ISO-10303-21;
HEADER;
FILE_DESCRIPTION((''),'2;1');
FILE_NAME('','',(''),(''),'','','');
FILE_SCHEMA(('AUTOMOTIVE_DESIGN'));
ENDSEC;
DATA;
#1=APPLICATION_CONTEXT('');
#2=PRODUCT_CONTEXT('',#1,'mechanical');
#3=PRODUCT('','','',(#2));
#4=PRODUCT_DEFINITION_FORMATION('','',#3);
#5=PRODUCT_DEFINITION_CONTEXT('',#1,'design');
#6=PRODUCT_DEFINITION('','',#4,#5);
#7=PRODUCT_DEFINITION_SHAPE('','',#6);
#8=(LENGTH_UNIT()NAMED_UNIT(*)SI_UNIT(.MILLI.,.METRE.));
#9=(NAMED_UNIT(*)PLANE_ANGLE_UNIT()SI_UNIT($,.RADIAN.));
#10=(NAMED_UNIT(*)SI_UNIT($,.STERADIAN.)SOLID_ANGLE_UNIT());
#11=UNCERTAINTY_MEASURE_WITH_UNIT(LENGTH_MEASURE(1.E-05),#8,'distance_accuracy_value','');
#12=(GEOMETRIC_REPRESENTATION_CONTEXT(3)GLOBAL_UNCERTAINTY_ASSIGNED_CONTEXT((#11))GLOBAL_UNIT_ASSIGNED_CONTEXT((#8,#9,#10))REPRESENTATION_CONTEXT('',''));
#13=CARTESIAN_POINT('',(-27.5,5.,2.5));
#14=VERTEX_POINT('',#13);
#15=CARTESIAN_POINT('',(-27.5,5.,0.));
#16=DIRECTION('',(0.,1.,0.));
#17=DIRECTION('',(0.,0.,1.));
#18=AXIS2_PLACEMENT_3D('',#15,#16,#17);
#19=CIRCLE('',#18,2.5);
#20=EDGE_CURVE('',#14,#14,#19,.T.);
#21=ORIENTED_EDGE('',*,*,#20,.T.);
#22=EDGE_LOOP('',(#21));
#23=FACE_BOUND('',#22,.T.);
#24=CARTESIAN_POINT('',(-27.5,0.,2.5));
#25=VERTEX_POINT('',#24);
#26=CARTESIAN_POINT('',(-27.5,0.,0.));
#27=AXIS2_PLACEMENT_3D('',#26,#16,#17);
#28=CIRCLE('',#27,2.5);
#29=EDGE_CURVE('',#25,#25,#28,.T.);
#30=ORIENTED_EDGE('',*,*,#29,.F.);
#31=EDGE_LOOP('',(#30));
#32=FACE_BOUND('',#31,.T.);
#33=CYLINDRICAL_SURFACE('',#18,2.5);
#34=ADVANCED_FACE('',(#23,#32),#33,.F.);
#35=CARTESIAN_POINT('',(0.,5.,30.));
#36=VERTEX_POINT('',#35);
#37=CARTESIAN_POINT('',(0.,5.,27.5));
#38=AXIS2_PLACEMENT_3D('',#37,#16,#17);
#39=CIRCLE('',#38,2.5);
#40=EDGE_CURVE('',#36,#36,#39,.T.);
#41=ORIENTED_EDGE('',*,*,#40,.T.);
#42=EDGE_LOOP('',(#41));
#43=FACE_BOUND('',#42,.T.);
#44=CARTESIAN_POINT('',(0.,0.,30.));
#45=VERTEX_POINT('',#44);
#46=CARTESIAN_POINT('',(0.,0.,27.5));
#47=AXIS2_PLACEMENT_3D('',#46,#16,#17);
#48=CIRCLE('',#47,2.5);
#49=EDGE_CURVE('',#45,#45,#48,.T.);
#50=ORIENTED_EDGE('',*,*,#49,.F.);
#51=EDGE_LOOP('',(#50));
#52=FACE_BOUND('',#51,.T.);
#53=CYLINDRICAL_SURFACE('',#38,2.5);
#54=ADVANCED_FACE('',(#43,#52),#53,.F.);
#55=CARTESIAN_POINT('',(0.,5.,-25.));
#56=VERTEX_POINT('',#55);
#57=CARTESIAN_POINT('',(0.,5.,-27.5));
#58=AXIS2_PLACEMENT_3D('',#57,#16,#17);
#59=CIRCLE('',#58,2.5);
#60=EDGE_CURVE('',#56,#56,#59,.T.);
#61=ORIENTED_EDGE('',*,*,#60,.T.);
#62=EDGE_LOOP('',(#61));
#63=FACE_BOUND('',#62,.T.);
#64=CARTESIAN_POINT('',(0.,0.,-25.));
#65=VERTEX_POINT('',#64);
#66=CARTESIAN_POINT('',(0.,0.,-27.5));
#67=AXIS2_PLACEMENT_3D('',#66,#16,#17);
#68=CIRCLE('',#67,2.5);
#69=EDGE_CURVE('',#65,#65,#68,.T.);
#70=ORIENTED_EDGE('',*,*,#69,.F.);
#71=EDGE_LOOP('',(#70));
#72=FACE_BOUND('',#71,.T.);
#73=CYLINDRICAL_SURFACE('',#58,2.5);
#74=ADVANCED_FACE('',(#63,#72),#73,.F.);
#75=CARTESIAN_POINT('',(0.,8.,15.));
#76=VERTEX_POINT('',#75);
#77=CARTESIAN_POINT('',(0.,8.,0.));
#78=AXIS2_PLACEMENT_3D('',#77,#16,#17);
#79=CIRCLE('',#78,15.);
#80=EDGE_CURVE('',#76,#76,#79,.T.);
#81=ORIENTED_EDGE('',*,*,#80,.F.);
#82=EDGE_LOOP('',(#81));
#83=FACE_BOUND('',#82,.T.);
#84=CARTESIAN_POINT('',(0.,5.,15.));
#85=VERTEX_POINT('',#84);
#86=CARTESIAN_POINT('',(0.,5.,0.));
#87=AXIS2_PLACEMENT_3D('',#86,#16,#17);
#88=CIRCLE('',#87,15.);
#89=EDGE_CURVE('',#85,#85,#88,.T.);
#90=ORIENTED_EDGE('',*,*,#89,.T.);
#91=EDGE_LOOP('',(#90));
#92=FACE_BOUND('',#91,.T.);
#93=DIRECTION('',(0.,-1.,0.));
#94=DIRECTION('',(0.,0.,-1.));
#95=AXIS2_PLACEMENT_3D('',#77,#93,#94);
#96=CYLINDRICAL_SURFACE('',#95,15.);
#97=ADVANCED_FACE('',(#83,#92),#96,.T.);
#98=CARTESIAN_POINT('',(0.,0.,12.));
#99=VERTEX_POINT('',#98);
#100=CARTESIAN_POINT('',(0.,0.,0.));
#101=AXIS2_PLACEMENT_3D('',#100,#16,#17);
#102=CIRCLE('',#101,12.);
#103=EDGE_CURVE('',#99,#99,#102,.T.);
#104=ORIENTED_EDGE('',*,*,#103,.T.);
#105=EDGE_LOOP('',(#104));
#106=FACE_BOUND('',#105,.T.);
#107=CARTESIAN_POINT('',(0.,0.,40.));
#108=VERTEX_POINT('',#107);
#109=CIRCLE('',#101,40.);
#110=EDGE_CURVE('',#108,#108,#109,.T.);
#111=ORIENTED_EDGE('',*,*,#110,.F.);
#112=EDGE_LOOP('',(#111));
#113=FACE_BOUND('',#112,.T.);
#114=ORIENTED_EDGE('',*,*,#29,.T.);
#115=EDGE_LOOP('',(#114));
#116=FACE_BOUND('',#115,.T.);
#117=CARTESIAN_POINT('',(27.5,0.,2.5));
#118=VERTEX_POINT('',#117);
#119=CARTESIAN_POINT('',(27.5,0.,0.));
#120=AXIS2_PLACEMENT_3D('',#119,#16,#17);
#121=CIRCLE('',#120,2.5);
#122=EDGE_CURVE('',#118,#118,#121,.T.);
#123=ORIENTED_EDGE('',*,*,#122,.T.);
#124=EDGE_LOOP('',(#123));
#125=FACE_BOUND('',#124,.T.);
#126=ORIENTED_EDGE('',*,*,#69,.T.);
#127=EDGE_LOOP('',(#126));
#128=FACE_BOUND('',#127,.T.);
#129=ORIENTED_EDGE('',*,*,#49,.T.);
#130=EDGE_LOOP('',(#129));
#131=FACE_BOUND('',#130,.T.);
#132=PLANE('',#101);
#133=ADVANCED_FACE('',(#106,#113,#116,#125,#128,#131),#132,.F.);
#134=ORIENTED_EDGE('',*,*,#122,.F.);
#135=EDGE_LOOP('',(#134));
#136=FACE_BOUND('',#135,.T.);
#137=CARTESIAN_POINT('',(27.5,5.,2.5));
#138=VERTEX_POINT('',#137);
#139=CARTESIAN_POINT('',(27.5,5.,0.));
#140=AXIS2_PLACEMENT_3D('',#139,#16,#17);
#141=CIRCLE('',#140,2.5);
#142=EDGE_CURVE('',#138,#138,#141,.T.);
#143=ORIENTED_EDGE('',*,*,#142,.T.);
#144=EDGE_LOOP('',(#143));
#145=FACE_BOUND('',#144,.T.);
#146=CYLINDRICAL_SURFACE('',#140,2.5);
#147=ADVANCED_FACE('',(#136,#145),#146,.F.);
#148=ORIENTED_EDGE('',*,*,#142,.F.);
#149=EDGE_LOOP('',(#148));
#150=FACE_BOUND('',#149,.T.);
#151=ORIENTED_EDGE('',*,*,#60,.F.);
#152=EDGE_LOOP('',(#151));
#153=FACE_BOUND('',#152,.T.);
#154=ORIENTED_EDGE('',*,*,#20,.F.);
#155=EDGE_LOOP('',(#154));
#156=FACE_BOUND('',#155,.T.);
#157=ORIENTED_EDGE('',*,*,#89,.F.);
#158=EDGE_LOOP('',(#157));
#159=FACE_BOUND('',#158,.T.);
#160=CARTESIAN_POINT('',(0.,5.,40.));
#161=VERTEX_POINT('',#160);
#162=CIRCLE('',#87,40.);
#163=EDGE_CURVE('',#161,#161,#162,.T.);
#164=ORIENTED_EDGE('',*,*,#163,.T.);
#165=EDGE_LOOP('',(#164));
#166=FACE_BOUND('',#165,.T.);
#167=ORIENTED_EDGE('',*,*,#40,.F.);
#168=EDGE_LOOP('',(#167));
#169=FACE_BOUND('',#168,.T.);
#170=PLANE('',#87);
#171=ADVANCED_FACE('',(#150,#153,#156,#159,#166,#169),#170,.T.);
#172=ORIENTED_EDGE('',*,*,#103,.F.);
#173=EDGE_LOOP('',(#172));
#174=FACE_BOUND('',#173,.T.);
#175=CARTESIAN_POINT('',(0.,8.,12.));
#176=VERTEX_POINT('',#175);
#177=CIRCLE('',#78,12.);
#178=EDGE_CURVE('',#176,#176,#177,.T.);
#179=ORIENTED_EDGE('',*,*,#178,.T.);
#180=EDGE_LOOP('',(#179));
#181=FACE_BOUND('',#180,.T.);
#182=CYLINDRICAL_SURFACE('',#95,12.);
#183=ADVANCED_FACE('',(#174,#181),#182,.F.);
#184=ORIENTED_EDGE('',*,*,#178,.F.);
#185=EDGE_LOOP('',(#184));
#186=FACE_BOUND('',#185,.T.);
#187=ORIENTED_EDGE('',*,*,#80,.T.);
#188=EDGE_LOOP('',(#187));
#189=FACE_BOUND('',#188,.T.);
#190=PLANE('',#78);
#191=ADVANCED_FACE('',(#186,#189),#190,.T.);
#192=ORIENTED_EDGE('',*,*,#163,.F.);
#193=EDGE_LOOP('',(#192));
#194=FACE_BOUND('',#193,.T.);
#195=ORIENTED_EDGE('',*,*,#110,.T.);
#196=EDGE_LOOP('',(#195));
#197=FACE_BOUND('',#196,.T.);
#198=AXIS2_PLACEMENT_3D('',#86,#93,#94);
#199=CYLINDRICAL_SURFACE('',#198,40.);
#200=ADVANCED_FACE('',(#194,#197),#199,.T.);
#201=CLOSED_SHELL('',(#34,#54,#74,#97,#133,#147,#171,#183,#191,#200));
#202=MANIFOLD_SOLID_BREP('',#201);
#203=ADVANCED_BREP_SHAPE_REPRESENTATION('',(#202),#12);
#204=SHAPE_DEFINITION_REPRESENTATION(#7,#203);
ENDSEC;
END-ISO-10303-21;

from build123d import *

# Parameters (mm, degrees)
SKETCH1_R             = 40
BOSS_EXTRUDE1_DEPTH   = 5
SKETCH2_R             = 15
SKETCH2_R_2           = 12
BOSS_EXTRUDE2_DEPTH   = 3
SKETCH3_R             = 12
CUT_EXTRUDE1_DEPTH    = 57.789083458
F_5_0MM_DOWEL_HOLE1_D = 5
CIRPATTERN1_COUNT     = 4


with BuildPart() as part:
    # Sketch1 → Boss-Extrude1 (new body)
    with BuildSketch(Plane(origin=(0, 0, 0), x_dir=(1, 0, 0), z_dir=(0, 1, 0))):
        with Locations(Location((0, 0, 0), (0, 0, 270))):
            Circle(SKETCH1_R)
    extrude(amount=BOSS_EXTRUDE1_DEPTH)

    # Sketch2 → Boss-Extrude2 (add)
    with BuildSketch(Plane(origin=(0, 5, 0), x_dir=(1, 0, 0), z_dir=(0, 1, 0))):
        with Locations(Location((0, 0, 0), (0, 0, 270))):
            Circle(SKETCH2_R)
        with Locations(Location((0, 0, 0), (0, 0, 270))):
            Circle(SKETCH2_R_2, mode=Mode.SUBTRACT)
    extrude(amount=BOSS_EXTRUDE2_DEPTH)

    # Sketch3 → Cut-Extrude1 (cut, through all)
    with BuildSketch(Plane(origin=(0, 5, 0), x_dir=(1, 0, 0), z_dir=(0, 1, 0))):
        with Locations(Location((0, 0, 0), (0, 0, 270))):
            Circle(SKETCH3_R)
    extrude(amount=-CUT_EXTRUDE1_DEPTH, mode=Mode.SUBTRACT)

    # Ø5.0mm Dowel Hole1 (through all)
    with Locations(Plane(origin=(0, 5, -27.5), x_dir=(0, 0, 1), z_dir=(0, 1, 0))):
        with Locations((0, 0)):
            f_5_0mm_dowel_hole1 = Hole(F_5_0MM_DOWEL_HOLE1_D / 2)

    # CirPattern1: Ø5.0mm Dowel Hole1 ×4 about axis
    cirpattern1_axis = Axis((0, 0, 0), (0, 1, 0))
    for i in range(1, CIRPATTERN1_COUNT):
        add(f_5_0mm_dowel_hole1.rotate(cirpattern1_axis, i * 360 / CIRPATTERN1_COUNT), mode=Mode.SUBTRACT)


solid = part.part
